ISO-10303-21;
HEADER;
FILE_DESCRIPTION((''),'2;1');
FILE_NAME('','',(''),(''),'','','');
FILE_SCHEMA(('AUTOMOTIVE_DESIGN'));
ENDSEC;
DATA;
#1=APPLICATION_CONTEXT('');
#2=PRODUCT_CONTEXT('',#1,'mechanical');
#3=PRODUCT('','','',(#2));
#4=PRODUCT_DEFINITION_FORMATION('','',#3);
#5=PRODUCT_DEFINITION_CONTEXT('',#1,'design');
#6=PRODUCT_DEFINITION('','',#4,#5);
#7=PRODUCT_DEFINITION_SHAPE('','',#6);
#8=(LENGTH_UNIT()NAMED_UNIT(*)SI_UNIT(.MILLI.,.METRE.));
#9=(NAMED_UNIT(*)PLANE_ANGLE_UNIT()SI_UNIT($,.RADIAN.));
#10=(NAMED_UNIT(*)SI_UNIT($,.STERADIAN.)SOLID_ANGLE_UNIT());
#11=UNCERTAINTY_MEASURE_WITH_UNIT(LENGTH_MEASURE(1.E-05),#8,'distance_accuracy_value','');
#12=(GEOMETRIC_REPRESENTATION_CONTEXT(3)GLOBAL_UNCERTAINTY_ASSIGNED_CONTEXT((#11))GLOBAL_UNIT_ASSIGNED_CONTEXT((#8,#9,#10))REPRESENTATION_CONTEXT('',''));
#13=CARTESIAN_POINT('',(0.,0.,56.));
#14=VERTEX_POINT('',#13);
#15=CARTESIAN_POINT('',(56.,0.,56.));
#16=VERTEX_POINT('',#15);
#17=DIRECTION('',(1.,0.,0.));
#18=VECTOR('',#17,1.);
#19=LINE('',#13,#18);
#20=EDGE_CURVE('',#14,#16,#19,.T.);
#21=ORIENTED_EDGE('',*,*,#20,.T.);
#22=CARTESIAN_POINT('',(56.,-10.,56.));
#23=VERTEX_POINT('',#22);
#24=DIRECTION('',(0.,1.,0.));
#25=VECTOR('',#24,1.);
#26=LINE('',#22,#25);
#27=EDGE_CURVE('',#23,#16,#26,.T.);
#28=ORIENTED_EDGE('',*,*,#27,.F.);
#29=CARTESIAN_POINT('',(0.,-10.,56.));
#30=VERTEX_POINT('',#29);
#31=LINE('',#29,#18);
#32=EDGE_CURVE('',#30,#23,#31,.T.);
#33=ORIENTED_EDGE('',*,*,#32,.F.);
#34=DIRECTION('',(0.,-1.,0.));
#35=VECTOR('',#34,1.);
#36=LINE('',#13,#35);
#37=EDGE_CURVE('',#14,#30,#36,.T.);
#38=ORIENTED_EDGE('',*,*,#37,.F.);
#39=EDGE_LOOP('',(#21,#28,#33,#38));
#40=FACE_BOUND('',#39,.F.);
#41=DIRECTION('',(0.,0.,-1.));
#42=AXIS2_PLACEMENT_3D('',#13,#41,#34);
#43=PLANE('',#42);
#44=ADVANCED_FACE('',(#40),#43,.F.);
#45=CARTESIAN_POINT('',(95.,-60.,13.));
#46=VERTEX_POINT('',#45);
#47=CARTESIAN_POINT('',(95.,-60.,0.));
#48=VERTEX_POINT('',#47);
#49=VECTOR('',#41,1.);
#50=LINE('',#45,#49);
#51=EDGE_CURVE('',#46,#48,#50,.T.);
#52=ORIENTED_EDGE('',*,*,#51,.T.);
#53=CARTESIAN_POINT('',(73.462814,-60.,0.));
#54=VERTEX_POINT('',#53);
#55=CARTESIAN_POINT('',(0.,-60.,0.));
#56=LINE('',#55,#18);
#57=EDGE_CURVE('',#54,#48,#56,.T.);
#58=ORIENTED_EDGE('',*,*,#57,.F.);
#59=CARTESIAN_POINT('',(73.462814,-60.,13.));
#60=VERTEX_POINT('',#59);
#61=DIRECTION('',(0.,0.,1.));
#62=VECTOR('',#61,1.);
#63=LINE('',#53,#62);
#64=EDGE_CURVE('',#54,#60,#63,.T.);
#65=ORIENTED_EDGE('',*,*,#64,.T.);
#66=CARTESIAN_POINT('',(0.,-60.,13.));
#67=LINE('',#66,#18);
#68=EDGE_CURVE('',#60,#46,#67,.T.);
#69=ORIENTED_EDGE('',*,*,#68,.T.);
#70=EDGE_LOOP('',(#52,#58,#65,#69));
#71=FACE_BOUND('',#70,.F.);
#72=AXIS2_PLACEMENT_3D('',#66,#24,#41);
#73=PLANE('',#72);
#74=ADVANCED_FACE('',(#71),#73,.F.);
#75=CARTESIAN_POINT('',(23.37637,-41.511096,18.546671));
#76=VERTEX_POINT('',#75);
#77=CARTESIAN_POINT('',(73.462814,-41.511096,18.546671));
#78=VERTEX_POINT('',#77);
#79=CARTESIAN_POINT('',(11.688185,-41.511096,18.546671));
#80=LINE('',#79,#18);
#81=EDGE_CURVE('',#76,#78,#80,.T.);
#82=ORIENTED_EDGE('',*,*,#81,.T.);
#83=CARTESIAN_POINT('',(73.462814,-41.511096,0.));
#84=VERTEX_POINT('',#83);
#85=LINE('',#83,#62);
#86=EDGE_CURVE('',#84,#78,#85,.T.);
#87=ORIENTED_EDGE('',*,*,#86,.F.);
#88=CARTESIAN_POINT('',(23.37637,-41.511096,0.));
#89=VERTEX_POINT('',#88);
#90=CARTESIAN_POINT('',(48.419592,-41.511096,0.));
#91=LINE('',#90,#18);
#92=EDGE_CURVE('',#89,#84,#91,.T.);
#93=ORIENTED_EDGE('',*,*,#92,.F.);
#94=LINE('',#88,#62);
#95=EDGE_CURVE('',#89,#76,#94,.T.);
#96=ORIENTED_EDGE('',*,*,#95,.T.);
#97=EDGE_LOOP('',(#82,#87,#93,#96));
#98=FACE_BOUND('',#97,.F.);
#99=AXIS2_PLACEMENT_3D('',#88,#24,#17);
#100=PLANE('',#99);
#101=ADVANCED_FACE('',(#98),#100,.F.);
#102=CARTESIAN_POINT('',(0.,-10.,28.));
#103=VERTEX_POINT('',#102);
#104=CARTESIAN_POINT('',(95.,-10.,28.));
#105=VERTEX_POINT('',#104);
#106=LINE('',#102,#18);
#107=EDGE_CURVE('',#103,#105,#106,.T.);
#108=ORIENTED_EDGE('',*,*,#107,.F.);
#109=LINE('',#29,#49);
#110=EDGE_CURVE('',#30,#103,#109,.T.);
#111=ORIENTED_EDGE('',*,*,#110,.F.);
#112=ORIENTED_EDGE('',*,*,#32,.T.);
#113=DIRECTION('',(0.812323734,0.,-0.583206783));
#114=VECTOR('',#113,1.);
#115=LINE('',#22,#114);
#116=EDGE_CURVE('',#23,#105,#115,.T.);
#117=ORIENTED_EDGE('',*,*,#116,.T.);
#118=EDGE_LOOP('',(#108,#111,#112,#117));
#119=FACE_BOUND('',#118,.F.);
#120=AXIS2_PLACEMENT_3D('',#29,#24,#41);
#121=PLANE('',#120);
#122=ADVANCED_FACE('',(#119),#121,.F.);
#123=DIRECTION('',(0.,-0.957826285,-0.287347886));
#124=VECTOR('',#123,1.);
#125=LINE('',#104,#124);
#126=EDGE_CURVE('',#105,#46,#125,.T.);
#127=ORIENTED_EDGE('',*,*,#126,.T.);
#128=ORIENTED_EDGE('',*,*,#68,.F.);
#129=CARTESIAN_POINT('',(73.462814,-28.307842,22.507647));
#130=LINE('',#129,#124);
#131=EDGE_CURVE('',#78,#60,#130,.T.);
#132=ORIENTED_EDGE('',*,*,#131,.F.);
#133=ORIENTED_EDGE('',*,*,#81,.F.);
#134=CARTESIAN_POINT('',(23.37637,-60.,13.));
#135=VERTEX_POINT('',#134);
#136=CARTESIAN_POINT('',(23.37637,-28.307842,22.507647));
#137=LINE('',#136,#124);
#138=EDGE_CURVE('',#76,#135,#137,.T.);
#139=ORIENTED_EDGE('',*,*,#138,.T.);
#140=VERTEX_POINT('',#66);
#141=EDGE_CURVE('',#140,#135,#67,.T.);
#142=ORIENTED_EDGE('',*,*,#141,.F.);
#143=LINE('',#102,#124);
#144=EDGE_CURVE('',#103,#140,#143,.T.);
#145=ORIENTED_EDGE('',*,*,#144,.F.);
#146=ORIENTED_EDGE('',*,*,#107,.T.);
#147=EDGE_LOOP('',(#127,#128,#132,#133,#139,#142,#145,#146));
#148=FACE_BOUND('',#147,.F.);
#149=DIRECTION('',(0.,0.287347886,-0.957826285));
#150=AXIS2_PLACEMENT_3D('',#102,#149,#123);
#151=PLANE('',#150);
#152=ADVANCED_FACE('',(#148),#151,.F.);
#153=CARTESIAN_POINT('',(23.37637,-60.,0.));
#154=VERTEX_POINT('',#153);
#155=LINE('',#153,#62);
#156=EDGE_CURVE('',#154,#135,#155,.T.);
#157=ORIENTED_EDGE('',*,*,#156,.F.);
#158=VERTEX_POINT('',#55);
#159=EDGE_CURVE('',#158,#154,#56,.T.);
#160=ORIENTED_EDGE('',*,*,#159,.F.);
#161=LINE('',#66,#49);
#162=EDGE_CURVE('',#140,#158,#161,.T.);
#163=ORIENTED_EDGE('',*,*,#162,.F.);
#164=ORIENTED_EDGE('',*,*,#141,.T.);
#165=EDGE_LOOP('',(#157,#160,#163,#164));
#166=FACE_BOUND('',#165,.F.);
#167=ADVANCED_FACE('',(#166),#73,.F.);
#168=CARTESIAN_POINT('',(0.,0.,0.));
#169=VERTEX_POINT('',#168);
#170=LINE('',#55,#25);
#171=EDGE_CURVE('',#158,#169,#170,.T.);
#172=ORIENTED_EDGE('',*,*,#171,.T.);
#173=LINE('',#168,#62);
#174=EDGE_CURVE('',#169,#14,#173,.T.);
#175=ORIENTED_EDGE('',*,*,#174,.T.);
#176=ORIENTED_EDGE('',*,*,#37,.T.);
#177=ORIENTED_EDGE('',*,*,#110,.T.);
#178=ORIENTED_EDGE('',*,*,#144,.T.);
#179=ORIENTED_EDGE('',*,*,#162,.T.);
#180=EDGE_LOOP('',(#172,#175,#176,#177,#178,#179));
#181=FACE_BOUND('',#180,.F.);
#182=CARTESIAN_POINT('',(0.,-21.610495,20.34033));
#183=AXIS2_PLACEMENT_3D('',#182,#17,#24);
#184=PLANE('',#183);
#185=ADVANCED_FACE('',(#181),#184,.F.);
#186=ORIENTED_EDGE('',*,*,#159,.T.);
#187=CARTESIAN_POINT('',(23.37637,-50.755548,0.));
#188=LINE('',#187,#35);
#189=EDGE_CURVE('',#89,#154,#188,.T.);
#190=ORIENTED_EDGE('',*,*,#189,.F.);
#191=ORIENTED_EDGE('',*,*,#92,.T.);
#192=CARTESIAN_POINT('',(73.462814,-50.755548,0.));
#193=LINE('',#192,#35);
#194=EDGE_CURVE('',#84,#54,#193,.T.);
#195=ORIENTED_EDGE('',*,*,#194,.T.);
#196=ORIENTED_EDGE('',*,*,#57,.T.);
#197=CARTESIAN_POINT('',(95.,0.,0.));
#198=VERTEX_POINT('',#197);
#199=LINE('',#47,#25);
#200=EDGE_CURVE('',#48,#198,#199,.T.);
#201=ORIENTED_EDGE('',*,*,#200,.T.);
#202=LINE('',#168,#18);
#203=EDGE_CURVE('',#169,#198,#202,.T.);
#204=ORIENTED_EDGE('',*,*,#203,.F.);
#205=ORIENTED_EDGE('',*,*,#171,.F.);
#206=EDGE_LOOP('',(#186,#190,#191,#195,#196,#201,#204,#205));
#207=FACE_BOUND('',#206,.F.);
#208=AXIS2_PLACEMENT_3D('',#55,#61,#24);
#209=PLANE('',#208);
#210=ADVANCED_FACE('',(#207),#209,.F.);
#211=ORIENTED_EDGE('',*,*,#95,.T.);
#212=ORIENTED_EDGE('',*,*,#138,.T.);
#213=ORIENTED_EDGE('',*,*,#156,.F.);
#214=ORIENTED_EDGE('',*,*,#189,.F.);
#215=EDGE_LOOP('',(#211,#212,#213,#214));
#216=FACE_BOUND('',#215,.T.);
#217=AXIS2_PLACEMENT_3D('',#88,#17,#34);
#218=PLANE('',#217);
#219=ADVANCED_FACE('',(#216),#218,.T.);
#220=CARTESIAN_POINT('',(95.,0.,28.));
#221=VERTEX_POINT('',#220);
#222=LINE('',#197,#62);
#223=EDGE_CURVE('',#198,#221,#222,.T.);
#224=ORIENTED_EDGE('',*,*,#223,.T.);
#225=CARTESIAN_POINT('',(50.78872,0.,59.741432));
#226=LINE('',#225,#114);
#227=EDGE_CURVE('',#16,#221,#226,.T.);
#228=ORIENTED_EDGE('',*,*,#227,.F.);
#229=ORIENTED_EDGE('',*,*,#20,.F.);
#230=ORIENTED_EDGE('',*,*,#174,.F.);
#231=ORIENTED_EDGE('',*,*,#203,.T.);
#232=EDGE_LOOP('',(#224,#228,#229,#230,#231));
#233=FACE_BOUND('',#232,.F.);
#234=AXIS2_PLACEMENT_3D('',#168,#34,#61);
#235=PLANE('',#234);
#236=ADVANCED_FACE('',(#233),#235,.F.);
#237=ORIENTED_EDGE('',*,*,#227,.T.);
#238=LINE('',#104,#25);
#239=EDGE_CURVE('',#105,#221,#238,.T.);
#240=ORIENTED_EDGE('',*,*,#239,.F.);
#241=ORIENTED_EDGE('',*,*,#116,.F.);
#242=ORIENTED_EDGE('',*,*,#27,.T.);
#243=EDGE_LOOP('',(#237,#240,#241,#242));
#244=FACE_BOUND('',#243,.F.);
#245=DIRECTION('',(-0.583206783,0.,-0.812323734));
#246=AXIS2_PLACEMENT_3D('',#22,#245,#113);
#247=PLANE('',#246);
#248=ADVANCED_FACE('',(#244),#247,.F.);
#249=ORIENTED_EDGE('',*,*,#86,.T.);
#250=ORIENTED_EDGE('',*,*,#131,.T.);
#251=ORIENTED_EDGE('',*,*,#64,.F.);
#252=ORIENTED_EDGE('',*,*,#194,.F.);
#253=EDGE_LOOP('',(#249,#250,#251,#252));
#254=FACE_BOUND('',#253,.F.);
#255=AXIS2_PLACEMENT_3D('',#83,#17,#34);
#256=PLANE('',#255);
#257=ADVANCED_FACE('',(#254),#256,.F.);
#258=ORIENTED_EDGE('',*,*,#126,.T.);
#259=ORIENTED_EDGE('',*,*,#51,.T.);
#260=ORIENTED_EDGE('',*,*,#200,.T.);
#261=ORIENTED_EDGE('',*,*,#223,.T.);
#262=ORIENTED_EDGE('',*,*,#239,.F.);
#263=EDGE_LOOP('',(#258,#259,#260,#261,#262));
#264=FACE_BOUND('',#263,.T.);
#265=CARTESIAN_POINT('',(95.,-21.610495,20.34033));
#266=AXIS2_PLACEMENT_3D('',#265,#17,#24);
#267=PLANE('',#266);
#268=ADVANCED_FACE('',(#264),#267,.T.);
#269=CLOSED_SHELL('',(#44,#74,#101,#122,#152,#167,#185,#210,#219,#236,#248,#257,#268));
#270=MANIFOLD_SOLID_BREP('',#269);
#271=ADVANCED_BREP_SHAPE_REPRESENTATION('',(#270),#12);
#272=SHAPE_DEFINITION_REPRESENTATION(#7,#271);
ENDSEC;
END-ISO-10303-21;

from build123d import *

# Parameters (mm, degrees)
F1_DEPTH = 95
F3_DEPTH = 25
F4_W     = 50.086444
F4_H     = 18.488904
F5_DEPTH = 56.001


with BuildPart() as f1:
    # F0 (on Right) → F1 (new body)
    with BuildSketch(Plane.YZ):
        Polygon((-60, 0), (0, 0), (0, 56), (-10, 56), (-10, 28), (-60, 13), align=None)
    extrude(amount=F1_DEPTH)

    # F2 (on face) → F3 (cut)
    with BuildSketch(Plane.XZ.offset(10)):
        Polygon((56, 56), (95, 28), (95, 56), align=None)
    extrude(amount=-F3_DEPTH, mode=Mode.SUBTRACT)

    # F4 (on face) → F5 (cut, through all)
    with BuildSketch(Plane(origin=(0, 0, 0), x_dir=(1, 0, 0), z_dir=(0, 0, -1))):
        with Locations((48.419592, 50.755548)):
            Rectangle(F4_W, F4_H)
    extrude(amount=-F5_DEPTH, mode=Mode.SUBTRACT)


solid = f1.part
